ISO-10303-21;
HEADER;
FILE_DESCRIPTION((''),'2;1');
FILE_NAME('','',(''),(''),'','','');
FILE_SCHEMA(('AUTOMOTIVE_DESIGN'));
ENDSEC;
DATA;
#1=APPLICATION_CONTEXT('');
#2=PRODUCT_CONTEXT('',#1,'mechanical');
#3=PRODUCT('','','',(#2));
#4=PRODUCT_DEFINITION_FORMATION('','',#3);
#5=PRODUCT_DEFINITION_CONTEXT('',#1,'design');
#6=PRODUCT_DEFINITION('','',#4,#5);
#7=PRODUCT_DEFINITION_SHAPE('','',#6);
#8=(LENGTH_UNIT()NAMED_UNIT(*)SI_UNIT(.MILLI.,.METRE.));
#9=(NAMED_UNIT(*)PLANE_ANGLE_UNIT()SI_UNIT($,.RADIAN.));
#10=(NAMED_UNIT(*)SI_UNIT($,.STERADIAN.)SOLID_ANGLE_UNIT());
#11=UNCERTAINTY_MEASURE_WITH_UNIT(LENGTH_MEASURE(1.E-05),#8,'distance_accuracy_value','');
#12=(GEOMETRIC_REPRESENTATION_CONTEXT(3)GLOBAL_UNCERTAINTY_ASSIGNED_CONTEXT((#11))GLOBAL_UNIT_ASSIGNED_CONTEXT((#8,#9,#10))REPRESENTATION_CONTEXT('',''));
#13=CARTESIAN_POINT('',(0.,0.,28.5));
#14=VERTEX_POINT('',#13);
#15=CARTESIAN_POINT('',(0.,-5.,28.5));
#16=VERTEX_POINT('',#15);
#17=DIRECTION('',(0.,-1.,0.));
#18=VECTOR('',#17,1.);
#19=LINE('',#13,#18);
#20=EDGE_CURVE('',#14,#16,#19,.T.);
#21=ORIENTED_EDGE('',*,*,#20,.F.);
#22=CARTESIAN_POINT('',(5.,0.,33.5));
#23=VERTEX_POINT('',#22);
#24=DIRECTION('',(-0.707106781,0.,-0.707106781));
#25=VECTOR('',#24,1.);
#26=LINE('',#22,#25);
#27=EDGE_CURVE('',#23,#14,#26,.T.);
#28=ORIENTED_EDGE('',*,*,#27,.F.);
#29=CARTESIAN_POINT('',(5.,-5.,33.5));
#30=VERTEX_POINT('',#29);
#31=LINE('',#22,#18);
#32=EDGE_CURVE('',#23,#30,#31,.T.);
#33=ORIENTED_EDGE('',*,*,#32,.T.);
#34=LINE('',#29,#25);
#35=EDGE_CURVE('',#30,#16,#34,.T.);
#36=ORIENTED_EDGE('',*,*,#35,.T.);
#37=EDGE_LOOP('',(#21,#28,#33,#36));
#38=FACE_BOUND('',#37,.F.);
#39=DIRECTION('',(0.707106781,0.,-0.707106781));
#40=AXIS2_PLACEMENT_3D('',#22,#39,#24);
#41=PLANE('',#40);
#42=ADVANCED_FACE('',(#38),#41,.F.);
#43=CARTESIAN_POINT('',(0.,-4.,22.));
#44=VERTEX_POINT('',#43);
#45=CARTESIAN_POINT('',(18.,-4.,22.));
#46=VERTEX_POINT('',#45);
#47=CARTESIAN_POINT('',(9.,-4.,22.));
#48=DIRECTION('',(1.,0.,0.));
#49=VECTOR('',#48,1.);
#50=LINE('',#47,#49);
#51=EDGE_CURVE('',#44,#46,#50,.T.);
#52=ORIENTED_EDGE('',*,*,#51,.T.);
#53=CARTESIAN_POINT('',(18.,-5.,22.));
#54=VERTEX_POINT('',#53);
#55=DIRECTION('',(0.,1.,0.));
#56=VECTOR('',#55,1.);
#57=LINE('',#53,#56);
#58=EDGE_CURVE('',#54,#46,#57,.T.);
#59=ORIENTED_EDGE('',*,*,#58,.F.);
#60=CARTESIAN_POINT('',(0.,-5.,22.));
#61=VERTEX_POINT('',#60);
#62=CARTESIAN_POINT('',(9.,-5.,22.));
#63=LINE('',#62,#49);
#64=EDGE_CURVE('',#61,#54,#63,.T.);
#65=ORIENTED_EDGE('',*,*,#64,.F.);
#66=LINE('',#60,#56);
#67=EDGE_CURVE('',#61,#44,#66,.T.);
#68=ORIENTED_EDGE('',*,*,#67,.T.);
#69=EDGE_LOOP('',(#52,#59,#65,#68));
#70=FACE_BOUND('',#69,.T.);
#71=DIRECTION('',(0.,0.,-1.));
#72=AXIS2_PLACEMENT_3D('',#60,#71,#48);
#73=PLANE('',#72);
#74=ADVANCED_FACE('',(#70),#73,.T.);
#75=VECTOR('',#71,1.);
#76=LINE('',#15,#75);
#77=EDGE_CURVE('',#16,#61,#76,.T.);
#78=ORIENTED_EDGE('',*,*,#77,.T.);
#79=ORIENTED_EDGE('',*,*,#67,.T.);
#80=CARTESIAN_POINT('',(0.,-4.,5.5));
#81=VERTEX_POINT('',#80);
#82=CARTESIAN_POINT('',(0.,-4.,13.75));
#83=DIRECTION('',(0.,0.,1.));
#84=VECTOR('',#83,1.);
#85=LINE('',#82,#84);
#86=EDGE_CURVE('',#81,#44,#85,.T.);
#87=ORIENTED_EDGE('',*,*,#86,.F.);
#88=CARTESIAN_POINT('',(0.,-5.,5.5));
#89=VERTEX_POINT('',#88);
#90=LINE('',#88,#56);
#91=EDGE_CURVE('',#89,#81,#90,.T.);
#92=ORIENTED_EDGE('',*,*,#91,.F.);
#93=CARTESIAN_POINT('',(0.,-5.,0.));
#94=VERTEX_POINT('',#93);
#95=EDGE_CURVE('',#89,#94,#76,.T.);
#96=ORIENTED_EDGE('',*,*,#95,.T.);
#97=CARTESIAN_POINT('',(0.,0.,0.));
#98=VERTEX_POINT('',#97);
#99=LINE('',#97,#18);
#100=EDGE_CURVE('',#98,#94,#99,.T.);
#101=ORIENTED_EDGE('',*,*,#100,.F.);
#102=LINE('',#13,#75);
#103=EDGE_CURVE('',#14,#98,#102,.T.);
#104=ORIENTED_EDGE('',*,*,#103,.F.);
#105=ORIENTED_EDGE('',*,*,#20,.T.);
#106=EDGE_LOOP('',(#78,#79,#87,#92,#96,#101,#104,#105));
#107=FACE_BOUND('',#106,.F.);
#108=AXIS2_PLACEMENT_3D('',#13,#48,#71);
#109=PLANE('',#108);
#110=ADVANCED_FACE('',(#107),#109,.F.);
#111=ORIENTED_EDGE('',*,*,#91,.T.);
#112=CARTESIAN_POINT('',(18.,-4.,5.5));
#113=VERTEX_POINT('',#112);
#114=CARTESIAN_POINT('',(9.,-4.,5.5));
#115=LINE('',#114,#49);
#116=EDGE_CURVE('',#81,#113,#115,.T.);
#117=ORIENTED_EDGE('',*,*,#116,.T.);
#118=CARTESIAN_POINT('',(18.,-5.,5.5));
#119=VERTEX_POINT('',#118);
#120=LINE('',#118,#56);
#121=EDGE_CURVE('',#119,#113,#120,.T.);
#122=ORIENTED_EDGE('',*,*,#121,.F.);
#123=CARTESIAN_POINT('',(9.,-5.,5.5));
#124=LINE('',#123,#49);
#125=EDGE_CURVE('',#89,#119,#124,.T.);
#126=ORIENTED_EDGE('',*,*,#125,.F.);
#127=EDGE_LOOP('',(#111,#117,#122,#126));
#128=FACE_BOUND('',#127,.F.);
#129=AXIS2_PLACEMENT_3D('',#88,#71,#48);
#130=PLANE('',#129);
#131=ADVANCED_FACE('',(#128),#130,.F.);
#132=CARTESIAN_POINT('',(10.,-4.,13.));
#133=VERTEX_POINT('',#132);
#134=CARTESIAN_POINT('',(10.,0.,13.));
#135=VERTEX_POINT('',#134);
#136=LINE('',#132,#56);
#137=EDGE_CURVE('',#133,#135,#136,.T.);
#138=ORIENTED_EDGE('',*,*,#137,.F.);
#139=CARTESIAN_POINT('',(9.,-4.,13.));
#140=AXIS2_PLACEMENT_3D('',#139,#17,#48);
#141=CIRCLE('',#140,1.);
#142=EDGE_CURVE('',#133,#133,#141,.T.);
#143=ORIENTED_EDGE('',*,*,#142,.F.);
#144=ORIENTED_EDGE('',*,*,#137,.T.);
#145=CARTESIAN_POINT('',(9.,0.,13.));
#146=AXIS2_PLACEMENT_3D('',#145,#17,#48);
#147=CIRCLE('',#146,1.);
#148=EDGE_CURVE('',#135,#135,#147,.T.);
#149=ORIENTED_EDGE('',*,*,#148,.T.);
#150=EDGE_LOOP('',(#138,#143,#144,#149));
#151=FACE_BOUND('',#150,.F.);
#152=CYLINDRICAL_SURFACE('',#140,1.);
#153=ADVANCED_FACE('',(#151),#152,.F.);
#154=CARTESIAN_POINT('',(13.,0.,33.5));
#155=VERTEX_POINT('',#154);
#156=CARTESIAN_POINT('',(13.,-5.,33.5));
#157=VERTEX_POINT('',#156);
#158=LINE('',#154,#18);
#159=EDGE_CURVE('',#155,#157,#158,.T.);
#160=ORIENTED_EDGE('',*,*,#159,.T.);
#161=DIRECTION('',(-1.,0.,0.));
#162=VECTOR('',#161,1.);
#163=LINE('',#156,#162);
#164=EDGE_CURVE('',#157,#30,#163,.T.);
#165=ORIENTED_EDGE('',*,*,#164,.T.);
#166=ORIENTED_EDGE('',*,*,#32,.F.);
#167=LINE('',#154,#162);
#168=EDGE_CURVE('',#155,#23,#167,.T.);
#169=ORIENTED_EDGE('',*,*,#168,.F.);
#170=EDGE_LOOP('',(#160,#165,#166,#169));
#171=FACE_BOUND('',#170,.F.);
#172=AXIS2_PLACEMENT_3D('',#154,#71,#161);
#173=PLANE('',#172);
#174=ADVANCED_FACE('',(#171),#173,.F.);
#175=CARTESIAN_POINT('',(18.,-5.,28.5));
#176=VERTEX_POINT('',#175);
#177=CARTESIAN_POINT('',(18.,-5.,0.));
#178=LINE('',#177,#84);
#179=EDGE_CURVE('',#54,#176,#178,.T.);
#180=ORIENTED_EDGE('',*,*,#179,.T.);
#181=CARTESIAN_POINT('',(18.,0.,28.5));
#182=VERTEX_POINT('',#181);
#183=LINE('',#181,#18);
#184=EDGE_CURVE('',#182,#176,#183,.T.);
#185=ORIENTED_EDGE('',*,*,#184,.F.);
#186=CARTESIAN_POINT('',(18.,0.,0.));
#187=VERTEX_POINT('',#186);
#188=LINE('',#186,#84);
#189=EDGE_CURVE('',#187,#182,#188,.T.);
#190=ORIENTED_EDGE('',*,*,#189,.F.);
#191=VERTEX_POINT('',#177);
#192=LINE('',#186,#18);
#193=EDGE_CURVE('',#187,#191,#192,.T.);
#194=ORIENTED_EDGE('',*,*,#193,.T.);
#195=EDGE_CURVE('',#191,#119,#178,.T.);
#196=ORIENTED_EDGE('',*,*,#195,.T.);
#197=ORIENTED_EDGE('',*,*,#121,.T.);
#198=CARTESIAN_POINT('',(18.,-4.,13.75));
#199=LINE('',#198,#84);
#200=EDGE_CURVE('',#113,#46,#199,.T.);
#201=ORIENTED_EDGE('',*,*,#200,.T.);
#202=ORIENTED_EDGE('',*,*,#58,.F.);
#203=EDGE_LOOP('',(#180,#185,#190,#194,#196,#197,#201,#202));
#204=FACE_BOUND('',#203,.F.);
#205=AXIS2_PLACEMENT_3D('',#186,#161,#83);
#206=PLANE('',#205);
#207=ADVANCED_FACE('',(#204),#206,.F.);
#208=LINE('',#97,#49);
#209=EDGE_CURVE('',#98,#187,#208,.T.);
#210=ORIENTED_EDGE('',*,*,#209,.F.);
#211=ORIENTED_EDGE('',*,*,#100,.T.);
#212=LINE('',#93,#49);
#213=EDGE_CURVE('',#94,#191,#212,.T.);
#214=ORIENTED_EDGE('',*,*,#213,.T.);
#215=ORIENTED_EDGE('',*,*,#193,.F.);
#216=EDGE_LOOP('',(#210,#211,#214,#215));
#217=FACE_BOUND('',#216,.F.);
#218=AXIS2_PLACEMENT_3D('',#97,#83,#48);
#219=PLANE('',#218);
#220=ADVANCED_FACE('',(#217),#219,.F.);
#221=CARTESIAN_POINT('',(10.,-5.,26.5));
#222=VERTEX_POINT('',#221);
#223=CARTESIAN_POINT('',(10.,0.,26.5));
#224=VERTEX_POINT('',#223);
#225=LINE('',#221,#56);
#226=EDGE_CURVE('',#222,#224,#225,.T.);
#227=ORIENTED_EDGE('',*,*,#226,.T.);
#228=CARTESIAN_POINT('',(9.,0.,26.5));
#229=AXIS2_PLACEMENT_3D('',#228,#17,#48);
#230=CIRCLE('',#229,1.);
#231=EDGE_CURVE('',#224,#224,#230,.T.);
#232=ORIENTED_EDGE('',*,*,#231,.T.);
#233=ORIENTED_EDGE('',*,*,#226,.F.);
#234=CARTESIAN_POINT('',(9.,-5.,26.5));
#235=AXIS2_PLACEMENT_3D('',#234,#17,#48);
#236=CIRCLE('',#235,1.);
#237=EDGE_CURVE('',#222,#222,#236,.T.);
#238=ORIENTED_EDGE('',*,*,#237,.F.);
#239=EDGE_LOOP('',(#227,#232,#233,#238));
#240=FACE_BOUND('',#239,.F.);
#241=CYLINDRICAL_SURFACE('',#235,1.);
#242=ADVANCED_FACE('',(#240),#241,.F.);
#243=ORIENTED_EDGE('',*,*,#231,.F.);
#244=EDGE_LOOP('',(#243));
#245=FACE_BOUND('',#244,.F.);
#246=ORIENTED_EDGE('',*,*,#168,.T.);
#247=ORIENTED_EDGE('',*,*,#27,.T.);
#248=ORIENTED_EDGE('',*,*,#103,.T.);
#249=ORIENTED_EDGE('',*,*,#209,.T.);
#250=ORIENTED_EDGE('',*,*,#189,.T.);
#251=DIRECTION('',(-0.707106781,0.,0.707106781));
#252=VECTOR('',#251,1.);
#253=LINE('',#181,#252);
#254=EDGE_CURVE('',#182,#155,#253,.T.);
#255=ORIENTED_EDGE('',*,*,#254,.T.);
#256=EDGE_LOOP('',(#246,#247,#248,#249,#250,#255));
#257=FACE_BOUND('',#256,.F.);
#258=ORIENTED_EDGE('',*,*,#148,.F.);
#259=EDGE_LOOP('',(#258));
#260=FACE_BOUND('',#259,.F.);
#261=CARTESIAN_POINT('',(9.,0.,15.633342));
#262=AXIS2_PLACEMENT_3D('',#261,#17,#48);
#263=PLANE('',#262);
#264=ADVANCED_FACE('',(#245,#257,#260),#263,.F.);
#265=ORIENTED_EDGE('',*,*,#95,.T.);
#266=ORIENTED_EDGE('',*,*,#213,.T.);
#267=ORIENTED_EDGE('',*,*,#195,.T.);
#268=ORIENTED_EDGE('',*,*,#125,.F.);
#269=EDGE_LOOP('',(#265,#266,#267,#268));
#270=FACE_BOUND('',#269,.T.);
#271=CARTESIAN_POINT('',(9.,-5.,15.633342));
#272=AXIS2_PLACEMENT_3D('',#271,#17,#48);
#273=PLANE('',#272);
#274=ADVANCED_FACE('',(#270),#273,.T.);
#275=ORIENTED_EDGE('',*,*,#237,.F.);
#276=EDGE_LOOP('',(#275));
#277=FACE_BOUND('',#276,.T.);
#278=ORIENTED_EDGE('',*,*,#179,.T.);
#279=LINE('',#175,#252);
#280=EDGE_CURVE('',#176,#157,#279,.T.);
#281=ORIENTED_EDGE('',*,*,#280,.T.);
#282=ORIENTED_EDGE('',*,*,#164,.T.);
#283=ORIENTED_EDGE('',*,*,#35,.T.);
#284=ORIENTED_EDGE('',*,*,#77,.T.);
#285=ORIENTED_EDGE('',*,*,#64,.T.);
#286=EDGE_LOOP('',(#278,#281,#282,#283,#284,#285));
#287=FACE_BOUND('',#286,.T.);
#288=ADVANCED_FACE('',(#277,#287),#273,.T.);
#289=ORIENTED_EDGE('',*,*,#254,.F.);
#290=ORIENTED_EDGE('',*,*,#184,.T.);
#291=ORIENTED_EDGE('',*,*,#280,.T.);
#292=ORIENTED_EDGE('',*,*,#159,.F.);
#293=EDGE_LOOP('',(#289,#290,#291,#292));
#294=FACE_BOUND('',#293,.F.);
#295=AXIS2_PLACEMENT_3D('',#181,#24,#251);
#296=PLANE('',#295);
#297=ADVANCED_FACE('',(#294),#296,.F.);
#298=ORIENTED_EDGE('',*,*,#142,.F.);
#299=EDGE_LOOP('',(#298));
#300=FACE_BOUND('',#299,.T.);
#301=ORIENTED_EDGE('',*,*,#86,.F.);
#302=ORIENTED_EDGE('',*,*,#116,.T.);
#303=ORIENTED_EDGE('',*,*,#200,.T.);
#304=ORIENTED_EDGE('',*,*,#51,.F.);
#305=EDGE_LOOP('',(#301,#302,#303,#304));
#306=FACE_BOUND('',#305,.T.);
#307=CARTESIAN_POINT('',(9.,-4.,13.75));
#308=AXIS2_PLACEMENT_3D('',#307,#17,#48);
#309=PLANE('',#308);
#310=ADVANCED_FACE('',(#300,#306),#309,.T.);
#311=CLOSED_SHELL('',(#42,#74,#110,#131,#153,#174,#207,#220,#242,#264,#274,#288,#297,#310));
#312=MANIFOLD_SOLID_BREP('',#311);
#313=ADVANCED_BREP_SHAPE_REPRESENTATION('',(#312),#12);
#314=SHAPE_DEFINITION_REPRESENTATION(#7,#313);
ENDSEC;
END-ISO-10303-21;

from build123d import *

# Parameters (mm, degrees)
F1_DEPTH = 5
F2_W     = 18
F2_H     = 16.5
F3_DEPTH = 1
F4_R     = 1
F5_DEPTH = 5.001
F6_R     = 1
F7_DEPTH = 4.001


with BuildPart() as f1:
    # F0 (on Front) → F1 (new body)
    with BuildSketch(Plane.XZ):
        Polygon((0, 28.5), (0, 0), (18, 0), (18, 28.5), (13, 33.5), (5, 33.5), align=None)
    extrude(amount=F1_DEPTH)

    # F2 (on face) → F3 (cut)
    with BuildSketch(Plane.XZ.offset(5)):
        with Locations((9, 13.75)):
            Rectangle(F2_W, F2_H)
    extrude(amount=-F3_DEPTH, mode=Mode.SUBTRACT)

    # F4 (on face) → F5 (cut, through all)
    with BuildSketch(Plane.XZ.offset(5)):
        with Locations((9, 26.5)):
            Circle(F4_R)
    extrude(amount=-F5_DEPTH, mode=Mode.SUBTRACT)

    # F6 (on face) → F7 (cut, through all)
    with BuildSketch(Plane.XZ.offset(4)):
        with Locations((9, 13)):
            Circle(F6_R)
    extrude(amount=-F7_DEPTH, mode=Mode.SUBTRACT)


solid = f1.part
